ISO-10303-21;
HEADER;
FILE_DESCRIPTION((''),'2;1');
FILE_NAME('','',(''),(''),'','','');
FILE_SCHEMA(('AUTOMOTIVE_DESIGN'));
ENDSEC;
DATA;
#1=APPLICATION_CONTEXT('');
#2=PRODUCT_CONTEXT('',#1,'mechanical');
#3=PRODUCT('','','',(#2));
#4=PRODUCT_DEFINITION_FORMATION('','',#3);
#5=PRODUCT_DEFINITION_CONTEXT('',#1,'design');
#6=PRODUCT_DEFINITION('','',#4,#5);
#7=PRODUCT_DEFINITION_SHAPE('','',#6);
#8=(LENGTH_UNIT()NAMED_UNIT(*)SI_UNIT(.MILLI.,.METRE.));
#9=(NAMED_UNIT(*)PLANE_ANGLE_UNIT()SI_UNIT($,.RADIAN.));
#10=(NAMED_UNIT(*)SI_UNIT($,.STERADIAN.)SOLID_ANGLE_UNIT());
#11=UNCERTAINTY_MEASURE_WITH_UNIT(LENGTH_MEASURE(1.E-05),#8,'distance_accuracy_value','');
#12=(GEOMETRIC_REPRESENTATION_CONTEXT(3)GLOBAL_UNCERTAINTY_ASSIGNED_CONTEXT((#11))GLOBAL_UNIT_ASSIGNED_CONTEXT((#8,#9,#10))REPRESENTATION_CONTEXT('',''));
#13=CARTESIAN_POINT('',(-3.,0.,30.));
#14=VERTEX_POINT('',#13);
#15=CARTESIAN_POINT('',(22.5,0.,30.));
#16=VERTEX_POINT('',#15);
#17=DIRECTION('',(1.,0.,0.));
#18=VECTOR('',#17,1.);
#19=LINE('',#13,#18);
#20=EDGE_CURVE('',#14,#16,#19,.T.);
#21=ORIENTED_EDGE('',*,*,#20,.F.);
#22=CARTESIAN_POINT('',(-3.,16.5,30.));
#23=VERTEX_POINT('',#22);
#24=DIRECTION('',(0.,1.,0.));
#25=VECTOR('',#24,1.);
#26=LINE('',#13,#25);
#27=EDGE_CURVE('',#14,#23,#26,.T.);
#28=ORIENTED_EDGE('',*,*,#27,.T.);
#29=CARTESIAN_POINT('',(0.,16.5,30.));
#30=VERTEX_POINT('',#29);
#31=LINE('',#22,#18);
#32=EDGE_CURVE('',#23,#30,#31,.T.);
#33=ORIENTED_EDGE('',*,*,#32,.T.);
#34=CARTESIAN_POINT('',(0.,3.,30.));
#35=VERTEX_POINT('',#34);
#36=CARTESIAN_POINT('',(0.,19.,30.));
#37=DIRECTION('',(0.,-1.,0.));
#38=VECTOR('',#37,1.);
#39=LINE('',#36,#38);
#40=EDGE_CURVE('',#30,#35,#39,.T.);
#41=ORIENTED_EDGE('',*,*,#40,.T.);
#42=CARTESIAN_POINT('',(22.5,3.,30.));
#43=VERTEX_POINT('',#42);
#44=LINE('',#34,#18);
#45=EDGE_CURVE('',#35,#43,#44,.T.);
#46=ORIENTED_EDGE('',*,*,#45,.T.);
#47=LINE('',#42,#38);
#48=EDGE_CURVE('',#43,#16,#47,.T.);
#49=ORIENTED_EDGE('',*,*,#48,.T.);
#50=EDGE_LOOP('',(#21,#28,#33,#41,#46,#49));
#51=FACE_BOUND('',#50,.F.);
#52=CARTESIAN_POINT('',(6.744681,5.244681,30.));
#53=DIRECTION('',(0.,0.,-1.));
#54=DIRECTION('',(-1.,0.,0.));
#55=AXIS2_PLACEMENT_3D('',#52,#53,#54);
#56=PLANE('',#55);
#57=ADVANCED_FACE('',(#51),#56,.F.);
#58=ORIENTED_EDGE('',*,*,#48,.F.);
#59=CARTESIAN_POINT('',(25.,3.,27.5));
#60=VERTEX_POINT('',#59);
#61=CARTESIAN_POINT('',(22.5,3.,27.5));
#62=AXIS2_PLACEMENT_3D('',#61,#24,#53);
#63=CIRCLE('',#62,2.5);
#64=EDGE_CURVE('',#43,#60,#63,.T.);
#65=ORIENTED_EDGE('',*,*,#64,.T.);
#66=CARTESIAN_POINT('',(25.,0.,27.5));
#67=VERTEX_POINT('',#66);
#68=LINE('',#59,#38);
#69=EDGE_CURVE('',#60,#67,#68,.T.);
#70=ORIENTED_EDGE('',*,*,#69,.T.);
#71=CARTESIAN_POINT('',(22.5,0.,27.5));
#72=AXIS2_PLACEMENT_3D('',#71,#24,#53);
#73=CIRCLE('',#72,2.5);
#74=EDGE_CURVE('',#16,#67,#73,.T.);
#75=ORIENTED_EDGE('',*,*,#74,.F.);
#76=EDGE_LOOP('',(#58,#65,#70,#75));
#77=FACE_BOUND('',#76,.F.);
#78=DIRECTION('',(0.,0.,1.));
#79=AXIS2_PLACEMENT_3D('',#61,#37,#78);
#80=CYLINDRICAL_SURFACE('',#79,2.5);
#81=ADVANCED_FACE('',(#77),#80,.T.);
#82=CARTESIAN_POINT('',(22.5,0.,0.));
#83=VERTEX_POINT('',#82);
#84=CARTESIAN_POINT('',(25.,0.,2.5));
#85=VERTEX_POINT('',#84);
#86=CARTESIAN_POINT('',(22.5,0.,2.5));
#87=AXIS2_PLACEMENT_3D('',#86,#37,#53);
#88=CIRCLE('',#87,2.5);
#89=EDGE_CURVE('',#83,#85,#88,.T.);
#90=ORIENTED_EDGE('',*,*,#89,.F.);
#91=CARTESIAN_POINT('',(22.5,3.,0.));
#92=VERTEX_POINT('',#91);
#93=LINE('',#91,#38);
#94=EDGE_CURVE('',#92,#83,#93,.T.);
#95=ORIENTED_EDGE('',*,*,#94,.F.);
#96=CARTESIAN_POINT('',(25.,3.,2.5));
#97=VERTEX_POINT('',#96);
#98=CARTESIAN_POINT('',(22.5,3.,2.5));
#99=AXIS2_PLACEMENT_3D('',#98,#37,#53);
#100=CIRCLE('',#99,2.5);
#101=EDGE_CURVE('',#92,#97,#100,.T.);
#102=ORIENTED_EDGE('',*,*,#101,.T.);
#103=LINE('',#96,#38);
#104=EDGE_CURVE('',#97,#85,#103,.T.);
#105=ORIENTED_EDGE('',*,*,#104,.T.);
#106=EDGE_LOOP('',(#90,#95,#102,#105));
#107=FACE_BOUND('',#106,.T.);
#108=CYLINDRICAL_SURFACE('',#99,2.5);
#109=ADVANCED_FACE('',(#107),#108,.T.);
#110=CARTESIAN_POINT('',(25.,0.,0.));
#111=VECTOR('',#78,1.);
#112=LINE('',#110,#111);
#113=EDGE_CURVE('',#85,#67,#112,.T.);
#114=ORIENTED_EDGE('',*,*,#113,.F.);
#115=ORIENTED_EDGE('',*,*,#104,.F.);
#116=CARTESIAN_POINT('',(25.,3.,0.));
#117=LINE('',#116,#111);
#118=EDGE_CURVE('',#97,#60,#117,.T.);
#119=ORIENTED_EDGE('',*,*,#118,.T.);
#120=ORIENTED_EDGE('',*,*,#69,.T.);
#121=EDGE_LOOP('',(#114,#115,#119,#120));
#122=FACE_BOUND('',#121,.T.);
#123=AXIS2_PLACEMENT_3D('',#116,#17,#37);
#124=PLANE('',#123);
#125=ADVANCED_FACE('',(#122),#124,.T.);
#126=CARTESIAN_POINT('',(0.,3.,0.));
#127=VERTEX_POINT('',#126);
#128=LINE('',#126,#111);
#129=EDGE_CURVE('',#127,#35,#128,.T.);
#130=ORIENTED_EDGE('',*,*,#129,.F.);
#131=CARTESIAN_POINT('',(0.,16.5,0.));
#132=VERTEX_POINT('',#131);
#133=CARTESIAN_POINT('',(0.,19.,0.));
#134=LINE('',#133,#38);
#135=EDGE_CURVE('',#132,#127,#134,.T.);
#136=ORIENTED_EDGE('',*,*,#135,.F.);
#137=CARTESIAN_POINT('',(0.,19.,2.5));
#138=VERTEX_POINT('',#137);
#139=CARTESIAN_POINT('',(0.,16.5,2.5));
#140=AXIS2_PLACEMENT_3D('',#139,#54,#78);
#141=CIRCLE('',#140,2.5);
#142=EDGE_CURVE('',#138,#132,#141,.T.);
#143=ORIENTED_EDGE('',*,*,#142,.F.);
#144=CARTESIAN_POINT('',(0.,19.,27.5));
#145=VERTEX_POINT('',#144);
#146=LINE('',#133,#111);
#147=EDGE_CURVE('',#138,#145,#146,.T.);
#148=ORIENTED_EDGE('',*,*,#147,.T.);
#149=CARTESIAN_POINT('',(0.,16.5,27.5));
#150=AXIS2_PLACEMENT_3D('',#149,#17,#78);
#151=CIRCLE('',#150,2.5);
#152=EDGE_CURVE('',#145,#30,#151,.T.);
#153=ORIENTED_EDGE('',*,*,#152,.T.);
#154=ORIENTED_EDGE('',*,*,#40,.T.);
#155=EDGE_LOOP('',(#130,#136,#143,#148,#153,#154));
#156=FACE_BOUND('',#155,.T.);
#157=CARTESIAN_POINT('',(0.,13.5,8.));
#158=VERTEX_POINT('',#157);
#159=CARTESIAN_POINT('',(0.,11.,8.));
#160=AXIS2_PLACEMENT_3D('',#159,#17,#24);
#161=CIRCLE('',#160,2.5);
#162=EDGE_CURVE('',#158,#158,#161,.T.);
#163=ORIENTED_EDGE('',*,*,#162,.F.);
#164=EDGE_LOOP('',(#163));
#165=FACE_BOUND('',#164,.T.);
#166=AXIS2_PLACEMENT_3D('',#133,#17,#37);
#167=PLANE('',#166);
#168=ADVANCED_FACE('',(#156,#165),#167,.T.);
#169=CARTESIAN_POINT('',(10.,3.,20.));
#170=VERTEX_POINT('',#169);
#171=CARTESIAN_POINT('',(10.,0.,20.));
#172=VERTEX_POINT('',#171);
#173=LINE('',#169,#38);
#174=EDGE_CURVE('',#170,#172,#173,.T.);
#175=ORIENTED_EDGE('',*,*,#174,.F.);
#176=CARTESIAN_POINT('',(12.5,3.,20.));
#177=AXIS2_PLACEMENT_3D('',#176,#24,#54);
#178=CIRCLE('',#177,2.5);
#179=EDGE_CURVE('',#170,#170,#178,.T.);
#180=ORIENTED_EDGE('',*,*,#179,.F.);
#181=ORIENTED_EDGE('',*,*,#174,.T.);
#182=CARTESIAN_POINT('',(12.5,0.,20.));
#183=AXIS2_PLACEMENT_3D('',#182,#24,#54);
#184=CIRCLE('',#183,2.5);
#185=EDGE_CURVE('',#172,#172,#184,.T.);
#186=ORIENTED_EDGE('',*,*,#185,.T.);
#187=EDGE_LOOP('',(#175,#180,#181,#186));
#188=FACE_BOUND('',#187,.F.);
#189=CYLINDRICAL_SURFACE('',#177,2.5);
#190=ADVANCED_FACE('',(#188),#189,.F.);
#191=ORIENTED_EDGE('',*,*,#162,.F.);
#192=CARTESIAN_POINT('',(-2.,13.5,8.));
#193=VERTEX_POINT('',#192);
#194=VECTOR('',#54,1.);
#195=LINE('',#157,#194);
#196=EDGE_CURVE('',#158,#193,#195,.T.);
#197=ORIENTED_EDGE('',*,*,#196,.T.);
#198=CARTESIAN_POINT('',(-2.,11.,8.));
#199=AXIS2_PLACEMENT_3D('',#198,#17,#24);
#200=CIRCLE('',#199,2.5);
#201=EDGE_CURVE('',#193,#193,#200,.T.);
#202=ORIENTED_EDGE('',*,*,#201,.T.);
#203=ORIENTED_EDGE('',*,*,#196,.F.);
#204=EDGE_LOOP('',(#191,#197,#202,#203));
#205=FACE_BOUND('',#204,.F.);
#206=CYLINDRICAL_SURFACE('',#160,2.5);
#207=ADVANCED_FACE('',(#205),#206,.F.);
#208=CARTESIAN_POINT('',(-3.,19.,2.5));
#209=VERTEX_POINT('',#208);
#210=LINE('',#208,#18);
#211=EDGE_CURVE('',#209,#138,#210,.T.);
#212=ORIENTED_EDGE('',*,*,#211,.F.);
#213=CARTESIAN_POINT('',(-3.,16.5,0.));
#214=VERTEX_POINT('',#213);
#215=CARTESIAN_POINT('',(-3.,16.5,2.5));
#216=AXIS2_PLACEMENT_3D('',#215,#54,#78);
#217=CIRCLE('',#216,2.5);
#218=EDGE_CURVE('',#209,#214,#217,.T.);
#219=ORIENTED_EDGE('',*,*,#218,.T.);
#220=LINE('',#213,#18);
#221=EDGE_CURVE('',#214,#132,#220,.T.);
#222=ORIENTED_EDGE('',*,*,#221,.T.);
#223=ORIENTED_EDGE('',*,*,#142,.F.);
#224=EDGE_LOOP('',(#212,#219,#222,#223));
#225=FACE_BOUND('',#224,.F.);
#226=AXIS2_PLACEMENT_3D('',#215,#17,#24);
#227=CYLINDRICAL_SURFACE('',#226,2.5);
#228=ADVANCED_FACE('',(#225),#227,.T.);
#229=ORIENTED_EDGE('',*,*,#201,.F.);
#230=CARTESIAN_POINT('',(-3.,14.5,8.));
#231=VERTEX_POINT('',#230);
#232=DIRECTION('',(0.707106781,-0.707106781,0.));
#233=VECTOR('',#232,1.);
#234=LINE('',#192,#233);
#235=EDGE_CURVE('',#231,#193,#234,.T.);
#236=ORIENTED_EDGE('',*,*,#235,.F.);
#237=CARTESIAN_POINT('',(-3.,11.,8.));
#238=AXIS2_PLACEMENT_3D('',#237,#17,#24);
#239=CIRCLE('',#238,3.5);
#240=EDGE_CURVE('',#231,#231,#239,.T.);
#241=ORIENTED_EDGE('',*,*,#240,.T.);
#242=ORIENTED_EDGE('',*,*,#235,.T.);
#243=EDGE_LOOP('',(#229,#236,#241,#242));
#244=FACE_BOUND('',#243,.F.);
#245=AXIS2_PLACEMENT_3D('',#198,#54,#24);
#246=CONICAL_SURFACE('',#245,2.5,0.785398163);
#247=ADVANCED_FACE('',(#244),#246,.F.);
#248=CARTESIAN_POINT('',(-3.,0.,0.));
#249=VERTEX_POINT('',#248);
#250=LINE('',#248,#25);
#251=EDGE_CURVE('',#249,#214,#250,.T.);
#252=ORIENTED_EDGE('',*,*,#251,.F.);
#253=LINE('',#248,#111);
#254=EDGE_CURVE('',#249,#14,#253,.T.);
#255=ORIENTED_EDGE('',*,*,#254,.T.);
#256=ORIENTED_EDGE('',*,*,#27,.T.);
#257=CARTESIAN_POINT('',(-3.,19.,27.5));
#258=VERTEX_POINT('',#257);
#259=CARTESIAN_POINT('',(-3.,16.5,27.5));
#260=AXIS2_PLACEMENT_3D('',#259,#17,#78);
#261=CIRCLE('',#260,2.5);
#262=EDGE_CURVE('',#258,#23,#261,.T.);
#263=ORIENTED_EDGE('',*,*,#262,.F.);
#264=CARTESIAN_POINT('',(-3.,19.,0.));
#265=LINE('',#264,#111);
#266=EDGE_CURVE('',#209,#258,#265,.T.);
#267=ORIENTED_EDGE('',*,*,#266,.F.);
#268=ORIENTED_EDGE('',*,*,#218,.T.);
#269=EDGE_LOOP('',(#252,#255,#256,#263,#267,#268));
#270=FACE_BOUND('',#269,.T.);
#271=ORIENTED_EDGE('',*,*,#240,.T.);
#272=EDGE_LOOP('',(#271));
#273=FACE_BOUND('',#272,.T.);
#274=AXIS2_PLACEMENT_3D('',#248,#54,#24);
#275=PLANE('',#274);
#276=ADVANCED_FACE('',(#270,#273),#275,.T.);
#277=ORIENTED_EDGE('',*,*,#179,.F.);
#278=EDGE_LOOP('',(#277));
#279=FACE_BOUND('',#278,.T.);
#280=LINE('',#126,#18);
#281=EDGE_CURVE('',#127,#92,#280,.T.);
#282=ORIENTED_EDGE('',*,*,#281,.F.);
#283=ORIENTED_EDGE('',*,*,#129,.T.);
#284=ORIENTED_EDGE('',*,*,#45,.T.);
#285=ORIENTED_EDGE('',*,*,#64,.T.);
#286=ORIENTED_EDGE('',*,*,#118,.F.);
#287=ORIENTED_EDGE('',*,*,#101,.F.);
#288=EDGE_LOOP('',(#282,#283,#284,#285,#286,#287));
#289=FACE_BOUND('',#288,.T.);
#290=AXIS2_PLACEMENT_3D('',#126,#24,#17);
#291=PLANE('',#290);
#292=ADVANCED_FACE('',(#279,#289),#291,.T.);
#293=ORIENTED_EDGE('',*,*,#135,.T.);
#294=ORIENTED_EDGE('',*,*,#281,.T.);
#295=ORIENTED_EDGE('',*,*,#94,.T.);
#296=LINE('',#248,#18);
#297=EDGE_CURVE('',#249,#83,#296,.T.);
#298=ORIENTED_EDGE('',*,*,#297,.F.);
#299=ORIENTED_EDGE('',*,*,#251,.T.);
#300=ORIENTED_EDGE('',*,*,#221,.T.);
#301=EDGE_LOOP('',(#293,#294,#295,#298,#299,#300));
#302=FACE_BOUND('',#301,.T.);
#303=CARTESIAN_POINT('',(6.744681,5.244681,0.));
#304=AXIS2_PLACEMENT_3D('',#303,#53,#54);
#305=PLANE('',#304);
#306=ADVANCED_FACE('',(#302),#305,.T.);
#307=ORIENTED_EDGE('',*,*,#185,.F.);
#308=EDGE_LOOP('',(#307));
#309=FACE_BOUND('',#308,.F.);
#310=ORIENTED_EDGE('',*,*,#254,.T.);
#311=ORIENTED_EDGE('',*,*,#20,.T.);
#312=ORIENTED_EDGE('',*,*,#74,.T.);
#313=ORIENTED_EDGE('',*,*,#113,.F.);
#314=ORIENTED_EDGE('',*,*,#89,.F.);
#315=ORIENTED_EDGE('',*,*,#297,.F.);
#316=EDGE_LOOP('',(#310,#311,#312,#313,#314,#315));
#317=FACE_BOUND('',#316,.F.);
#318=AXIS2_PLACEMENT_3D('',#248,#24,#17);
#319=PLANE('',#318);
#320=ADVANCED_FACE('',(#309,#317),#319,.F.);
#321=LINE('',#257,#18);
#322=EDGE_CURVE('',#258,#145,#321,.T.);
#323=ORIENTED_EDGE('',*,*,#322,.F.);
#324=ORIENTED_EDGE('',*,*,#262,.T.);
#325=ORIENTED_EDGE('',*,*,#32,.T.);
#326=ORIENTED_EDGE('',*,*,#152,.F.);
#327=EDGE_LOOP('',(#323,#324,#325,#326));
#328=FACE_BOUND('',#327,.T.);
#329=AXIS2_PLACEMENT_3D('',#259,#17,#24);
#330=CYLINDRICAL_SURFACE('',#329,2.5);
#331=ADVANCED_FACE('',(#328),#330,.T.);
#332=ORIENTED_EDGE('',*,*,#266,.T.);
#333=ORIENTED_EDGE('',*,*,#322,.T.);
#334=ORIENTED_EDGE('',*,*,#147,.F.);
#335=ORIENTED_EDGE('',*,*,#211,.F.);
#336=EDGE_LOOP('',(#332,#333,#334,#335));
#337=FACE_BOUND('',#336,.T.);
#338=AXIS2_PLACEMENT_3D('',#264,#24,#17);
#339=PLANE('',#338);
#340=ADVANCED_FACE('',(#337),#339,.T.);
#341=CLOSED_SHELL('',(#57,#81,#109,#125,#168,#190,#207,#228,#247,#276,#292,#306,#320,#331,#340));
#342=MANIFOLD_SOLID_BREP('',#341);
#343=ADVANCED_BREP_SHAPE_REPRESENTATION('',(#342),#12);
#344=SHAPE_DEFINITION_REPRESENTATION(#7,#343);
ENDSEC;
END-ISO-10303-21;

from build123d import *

# Parameters (mm, degrees)
PAD_DEPTH       = 30
SKETCH001_R     = 2.5
POCKET_DEPTH    = 3.001
SKETCH002_R     = 2.5
POCKET001_DEPTH = 5
FILLET_R        = 2.5
CHAMFER_SIZE    = 1


with BuildPart() as part:
    # Sketch → Pad (new body)
    with BuildSketch(Plane.XY):
        Polygon((-3, 19), (0, 19), (0, 3), (25, 3), (25, 0), (0, 0), (-3, 0), align=None)
    extrude(amount=PAD_DEPTH)

    # Sketch001 (on Face2 of Pad) → Pocket (cut, through all)
    with BuildSketch(Plane.YZ):
        with Locations((11, 8)):
            Circle(SKETCH001_R)
    extrude(amount=-POCKET_DEPTH, mode=Mode.SUBTRACT)

    # Sketch002 (on Face8 of Pocket) → Pocket001 (cut)
    with BuildSketch(Plane(origin=(0, 3, 0), x_dir=(-1, 0, 0), z_dir=(0, 1, 0))):
        with Locations((-12.5, 20)):
            Circle(SKETCH002_R)
    extrude(amount=-POCKET001_DEPTH, mode=Mode.SUBTRACT)

    # Fillet
    fillet_edges = [part.edges().sort_by_distance(p)[0] for p in [
        (25, 1.5, 0),
        (25, 1.5, 30),
        (-1.5, 19, 30),
        (-1.5, 19, 0),
    ]]
    fillet(fillet_edges, radius=FILLET_R)

    # Chamfer
    chamfer_edges = [part.edges().sort_by_distance(p)[0] for p in [
        (-3, 8.5, 8),
    ]]
    chamfer(chamfer_edges, length=CHAMFER_SIZE)


solid = part.part
